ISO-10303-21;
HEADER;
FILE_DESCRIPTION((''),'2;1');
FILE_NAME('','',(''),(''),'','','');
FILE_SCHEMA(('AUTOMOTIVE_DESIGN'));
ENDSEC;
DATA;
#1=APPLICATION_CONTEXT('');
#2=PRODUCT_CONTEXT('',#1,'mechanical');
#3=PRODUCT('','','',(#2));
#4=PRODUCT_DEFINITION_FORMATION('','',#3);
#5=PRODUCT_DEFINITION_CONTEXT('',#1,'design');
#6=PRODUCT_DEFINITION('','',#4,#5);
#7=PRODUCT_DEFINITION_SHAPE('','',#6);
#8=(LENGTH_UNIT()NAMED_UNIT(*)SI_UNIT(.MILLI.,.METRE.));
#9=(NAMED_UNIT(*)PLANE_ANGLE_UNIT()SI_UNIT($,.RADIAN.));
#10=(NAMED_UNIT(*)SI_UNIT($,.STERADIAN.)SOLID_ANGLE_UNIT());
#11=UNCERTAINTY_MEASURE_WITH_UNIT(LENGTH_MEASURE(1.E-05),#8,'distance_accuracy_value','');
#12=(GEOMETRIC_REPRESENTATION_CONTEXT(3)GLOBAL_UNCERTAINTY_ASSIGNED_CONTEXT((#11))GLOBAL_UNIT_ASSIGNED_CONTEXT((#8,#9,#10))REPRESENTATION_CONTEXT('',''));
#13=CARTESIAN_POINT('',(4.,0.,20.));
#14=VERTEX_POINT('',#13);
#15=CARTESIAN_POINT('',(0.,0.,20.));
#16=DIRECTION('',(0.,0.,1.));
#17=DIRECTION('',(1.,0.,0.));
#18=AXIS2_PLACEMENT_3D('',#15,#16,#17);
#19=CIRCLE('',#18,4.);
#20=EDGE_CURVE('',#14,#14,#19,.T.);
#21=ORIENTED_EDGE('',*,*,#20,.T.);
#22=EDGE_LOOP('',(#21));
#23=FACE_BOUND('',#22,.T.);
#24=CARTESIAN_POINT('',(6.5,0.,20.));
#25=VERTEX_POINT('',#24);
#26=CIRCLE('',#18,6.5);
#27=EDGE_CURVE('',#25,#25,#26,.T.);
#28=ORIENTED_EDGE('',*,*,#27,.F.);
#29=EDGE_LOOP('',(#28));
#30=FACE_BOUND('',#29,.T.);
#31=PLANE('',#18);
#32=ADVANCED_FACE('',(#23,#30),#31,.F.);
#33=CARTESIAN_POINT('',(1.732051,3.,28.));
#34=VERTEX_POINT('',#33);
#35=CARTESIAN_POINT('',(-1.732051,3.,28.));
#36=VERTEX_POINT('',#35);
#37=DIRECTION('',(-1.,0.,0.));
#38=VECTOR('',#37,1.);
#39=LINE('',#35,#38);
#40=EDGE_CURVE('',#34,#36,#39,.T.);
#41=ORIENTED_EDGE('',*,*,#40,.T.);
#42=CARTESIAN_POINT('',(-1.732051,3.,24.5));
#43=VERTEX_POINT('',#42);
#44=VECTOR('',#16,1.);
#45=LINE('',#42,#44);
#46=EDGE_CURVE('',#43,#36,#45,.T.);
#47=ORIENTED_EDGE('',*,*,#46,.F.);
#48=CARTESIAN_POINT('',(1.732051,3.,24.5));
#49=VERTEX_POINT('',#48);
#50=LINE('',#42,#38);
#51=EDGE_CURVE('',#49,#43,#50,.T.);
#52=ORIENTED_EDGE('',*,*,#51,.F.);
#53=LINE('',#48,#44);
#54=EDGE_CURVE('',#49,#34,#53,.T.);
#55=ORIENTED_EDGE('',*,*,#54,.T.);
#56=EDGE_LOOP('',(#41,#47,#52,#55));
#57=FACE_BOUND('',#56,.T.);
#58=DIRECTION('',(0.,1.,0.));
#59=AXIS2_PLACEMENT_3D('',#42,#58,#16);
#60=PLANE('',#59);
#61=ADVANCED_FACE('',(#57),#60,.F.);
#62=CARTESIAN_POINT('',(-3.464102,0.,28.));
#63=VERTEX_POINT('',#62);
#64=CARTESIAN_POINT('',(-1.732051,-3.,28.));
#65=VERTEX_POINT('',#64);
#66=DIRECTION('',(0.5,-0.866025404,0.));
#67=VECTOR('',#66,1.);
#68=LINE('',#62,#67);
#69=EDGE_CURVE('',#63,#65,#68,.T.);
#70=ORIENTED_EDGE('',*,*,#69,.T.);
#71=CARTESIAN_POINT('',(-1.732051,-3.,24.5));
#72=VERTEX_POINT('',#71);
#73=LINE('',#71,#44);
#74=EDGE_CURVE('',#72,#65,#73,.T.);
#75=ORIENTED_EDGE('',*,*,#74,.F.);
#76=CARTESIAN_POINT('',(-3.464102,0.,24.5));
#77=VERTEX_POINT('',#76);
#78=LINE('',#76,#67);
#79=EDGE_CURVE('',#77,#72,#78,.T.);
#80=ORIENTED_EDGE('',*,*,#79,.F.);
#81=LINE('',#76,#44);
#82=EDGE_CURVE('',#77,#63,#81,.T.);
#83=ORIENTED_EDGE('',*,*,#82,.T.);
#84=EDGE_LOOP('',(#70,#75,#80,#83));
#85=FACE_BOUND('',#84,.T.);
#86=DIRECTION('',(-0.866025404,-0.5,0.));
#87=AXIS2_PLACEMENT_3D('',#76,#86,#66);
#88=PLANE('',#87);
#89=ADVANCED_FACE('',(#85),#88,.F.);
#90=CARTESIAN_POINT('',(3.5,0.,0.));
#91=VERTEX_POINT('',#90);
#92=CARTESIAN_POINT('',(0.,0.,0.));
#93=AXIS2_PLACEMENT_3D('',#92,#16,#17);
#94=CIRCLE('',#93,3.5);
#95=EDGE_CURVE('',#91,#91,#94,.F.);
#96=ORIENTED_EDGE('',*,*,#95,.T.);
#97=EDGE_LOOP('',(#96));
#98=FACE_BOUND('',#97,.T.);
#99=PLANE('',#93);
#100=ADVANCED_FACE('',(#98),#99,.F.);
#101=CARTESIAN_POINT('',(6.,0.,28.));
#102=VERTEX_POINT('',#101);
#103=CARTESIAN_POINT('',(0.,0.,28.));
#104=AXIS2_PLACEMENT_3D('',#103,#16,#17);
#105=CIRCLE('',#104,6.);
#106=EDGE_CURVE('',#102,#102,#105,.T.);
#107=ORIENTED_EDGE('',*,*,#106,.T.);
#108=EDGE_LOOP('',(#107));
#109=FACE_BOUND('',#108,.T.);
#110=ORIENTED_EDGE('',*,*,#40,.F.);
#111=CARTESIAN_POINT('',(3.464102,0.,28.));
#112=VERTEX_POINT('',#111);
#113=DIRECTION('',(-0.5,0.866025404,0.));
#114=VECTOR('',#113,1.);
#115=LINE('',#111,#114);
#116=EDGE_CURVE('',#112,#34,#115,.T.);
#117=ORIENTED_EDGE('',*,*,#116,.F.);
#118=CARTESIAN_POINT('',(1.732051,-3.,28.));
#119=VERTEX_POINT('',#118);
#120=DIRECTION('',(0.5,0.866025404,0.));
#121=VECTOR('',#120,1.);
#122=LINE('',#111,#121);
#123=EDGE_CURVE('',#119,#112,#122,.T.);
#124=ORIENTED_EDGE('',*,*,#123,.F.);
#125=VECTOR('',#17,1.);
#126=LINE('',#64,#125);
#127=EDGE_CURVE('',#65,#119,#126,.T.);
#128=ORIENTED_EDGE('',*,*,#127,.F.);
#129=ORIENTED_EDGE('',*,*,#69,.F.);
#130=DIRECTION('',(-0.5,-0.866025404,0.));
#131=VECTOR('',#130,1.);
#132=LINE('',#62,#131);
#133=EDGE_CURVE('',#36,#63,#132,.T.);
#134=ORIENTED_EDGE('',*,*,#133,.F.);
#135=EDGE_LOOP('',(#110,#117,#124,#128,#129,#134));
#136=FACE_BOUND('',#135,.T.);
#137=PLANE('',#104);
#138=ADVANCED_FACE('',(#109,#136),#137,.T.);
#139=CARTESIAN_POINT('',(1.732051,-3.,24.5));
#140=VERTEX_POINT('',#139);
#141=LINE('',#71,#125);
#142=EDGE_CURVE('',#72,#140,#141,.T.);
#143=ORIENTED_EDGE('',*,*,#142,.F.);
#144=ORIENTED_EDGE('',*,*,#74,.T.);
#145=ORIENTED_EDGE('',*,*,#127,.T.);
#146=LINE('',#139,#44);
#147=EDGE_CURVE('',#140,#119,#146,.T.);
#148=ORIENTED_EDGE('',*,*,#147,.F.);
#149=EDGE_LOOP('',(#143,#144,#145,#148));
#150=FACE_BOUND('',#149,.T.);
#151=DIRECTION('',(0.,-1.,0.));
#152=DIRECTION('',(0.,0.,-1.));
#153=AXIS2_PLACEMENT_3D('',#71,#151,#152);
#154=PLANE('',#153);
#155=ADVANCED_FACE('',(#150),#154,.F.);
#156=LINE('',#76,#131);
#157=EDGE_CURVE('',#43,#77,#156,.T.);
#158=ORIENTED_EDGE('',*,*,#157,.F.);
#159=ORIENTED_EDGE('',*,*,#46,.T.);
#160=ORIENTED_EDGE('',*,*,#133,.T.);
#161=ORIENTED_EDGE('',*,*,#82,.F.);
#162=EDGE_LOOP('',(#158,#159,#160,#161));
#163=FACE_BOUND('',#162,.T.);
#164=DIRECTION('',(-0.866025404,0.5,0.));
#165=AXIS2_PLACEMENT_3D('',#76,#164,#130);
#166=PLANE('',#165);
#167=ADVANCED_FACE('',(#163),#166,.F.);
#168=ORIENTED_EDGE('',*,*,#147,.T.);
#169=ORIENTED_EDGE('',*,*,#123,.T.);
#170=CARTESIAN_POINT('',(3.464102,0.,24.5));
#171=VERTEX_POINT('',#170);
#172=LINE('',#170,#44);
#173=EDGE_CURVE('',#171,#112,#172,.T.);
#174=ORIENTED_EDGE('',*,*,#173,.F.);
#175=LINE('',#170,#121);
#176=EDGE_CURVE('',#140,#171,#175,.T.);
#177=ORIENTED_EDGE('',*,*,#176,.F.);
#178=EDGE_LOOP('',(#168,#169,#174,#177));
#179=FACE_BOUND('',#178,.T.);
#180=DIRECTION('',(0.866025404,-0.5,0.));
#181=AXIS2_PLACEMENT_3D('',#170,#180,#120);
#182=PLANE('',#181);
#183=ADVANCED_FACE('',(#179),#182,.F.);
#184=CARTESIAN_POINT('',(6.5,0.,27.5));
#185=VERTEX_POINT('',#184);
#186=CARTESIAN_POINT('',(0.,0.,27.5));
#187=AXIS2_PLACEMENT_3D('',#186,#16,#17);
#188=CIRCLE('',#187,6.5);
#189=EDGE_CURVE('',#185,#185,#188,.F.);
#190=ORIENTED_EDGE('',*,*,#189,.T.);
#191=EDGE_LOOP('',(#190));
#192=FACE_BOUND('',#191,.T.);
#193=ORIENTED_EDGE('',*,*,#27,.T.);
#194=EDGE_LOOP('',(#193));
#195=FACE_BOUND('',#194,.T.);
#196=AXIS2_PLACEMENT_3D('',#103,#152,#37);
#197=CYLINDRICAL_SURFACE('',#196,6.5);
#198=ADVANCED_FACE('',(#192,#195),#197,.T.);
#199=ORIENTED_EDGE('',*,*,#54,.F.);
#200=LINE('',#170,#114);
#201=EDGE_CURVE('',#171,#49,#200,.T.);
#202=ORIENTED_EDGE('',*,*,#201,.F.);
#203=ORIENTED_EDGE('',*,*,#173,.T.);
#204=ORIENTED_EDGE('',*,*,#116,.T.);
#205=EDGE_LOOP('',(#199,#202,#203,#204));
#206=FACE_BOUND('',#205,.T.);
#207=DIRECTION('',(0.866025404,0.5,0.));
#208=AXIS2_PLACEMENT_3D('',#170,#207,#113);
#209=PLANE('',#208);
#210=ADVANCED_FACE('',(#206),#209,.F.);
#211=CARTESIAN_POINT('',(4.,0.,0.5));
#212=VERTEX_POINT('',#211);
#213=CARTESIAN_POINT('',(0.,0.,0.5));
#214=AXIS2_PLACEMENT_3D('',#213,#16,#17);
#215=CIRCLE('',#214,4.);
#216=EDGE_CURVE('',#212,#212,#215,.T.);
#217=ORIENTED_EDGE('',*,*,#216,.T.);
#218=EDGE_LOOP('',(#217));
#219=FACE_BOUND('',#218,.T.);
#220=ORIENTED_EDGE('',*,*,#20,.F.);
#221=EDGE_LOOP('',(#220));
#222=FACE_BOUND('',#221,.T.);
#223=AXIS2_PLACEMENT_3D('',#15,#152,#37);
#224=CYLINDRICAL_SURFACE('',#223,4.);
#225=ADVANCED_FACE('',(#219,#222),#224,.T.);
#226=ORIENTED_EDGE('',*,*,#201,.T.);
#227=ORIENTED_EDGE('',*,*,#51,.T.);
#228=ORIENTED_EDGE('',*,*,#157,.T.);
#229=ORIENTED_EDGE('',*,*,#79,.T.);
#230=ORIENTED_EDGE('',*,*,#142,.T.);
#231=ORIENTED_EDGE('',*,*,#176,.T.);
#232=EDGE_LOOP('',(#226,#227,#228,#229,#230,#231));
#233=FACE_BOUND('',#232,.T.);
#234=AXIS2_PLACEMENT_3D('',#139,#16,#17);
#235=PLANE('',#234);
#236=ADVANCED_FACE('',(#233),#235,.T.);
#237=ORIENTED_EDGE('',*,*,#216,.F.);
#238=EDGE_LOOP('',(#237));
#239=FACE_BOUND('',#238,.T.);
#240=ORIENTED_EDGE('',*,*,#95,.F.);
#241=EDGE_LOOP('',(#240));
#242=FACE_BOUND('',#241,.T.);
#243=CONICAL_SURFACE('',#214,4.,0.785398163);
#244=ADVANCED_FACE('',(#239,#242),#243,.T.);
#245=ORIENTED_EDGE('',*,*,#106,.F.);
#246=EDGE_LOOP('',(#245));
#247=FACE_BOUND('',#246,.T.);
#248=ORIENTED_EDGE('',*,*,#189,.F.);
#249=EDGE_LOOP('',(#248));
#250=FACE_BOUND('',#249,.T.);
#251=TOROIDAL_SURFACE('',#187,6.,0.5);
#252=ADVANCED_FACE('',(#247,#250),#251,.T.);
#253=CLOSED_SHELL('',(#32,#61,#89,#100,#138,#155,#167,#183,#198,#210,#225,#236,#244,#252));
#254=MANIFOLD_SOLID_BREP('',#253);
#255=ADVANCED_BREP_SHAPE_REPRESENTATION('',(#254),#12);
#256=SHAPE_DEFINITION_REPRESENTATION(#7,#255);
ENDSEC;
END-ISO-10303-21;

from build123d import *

# Parameters (mm, degrees)
ESQUISSE1_R             = 4
BASE_EXTRUSION_DEPTH    = 20
ESQUISSE2_R             = 6.5
BOSS_EXTRU_1_DEPTH      = 8
ENL_V_MAT_EXTRU_1_DEPTH = 3.5
CONG_2_R                = 0.5
CHANFREIN1_SIZE         = 0.5


with BuildPart() as part:
    # Esquisse1 → Base-Extrusion (new body)
    with BuildSketch(Plane.XY):
        Circle(ESQUISSE1_R)
    extrude(amount=BASE_EXTRUSION_DEPTH)

    # Esquisse2 → Boss.-Extru.1 (add)
    with BuildSketch(Plane.XY.offset(20)):
        Circle(ESQUISSE2_R)
    extrude(amount=BOSS_EXTRU_1_DEPTH)

    # Esquisse3 → Enlèv. mat.-Extru.1 (cut)
    with BuildSketch(Plane.XY.offset(28)):
        Polygon((-1.732050808, 3), (1.732050808, 3), (3.464101615, 0), (1.732050808, -3), (-1.732050808, -3), (-3.464101615, 0), align=None)
    extrude(amount=-ENL_V_MAT_EXTRU_1_DEPTH, mode=Mode.SUBTRACT)

    # Congé2
    cong_2_edges = [part.edges().sort_by_distance(p)[0] for p in [
        (-6.5, 0, 28),
    ]]
    fillet(cong_2_edges, radius=CONG_2_R)

    # Chanfrein1
    chanfrein1_edges = [part.edges().sort_by_distance(p)[0] for p in [
        (-4, 0, 0),
    ]]
    chamfer(chanfrein1_edges, length=CHANFREIN1_SIZE)


solid = part.part
